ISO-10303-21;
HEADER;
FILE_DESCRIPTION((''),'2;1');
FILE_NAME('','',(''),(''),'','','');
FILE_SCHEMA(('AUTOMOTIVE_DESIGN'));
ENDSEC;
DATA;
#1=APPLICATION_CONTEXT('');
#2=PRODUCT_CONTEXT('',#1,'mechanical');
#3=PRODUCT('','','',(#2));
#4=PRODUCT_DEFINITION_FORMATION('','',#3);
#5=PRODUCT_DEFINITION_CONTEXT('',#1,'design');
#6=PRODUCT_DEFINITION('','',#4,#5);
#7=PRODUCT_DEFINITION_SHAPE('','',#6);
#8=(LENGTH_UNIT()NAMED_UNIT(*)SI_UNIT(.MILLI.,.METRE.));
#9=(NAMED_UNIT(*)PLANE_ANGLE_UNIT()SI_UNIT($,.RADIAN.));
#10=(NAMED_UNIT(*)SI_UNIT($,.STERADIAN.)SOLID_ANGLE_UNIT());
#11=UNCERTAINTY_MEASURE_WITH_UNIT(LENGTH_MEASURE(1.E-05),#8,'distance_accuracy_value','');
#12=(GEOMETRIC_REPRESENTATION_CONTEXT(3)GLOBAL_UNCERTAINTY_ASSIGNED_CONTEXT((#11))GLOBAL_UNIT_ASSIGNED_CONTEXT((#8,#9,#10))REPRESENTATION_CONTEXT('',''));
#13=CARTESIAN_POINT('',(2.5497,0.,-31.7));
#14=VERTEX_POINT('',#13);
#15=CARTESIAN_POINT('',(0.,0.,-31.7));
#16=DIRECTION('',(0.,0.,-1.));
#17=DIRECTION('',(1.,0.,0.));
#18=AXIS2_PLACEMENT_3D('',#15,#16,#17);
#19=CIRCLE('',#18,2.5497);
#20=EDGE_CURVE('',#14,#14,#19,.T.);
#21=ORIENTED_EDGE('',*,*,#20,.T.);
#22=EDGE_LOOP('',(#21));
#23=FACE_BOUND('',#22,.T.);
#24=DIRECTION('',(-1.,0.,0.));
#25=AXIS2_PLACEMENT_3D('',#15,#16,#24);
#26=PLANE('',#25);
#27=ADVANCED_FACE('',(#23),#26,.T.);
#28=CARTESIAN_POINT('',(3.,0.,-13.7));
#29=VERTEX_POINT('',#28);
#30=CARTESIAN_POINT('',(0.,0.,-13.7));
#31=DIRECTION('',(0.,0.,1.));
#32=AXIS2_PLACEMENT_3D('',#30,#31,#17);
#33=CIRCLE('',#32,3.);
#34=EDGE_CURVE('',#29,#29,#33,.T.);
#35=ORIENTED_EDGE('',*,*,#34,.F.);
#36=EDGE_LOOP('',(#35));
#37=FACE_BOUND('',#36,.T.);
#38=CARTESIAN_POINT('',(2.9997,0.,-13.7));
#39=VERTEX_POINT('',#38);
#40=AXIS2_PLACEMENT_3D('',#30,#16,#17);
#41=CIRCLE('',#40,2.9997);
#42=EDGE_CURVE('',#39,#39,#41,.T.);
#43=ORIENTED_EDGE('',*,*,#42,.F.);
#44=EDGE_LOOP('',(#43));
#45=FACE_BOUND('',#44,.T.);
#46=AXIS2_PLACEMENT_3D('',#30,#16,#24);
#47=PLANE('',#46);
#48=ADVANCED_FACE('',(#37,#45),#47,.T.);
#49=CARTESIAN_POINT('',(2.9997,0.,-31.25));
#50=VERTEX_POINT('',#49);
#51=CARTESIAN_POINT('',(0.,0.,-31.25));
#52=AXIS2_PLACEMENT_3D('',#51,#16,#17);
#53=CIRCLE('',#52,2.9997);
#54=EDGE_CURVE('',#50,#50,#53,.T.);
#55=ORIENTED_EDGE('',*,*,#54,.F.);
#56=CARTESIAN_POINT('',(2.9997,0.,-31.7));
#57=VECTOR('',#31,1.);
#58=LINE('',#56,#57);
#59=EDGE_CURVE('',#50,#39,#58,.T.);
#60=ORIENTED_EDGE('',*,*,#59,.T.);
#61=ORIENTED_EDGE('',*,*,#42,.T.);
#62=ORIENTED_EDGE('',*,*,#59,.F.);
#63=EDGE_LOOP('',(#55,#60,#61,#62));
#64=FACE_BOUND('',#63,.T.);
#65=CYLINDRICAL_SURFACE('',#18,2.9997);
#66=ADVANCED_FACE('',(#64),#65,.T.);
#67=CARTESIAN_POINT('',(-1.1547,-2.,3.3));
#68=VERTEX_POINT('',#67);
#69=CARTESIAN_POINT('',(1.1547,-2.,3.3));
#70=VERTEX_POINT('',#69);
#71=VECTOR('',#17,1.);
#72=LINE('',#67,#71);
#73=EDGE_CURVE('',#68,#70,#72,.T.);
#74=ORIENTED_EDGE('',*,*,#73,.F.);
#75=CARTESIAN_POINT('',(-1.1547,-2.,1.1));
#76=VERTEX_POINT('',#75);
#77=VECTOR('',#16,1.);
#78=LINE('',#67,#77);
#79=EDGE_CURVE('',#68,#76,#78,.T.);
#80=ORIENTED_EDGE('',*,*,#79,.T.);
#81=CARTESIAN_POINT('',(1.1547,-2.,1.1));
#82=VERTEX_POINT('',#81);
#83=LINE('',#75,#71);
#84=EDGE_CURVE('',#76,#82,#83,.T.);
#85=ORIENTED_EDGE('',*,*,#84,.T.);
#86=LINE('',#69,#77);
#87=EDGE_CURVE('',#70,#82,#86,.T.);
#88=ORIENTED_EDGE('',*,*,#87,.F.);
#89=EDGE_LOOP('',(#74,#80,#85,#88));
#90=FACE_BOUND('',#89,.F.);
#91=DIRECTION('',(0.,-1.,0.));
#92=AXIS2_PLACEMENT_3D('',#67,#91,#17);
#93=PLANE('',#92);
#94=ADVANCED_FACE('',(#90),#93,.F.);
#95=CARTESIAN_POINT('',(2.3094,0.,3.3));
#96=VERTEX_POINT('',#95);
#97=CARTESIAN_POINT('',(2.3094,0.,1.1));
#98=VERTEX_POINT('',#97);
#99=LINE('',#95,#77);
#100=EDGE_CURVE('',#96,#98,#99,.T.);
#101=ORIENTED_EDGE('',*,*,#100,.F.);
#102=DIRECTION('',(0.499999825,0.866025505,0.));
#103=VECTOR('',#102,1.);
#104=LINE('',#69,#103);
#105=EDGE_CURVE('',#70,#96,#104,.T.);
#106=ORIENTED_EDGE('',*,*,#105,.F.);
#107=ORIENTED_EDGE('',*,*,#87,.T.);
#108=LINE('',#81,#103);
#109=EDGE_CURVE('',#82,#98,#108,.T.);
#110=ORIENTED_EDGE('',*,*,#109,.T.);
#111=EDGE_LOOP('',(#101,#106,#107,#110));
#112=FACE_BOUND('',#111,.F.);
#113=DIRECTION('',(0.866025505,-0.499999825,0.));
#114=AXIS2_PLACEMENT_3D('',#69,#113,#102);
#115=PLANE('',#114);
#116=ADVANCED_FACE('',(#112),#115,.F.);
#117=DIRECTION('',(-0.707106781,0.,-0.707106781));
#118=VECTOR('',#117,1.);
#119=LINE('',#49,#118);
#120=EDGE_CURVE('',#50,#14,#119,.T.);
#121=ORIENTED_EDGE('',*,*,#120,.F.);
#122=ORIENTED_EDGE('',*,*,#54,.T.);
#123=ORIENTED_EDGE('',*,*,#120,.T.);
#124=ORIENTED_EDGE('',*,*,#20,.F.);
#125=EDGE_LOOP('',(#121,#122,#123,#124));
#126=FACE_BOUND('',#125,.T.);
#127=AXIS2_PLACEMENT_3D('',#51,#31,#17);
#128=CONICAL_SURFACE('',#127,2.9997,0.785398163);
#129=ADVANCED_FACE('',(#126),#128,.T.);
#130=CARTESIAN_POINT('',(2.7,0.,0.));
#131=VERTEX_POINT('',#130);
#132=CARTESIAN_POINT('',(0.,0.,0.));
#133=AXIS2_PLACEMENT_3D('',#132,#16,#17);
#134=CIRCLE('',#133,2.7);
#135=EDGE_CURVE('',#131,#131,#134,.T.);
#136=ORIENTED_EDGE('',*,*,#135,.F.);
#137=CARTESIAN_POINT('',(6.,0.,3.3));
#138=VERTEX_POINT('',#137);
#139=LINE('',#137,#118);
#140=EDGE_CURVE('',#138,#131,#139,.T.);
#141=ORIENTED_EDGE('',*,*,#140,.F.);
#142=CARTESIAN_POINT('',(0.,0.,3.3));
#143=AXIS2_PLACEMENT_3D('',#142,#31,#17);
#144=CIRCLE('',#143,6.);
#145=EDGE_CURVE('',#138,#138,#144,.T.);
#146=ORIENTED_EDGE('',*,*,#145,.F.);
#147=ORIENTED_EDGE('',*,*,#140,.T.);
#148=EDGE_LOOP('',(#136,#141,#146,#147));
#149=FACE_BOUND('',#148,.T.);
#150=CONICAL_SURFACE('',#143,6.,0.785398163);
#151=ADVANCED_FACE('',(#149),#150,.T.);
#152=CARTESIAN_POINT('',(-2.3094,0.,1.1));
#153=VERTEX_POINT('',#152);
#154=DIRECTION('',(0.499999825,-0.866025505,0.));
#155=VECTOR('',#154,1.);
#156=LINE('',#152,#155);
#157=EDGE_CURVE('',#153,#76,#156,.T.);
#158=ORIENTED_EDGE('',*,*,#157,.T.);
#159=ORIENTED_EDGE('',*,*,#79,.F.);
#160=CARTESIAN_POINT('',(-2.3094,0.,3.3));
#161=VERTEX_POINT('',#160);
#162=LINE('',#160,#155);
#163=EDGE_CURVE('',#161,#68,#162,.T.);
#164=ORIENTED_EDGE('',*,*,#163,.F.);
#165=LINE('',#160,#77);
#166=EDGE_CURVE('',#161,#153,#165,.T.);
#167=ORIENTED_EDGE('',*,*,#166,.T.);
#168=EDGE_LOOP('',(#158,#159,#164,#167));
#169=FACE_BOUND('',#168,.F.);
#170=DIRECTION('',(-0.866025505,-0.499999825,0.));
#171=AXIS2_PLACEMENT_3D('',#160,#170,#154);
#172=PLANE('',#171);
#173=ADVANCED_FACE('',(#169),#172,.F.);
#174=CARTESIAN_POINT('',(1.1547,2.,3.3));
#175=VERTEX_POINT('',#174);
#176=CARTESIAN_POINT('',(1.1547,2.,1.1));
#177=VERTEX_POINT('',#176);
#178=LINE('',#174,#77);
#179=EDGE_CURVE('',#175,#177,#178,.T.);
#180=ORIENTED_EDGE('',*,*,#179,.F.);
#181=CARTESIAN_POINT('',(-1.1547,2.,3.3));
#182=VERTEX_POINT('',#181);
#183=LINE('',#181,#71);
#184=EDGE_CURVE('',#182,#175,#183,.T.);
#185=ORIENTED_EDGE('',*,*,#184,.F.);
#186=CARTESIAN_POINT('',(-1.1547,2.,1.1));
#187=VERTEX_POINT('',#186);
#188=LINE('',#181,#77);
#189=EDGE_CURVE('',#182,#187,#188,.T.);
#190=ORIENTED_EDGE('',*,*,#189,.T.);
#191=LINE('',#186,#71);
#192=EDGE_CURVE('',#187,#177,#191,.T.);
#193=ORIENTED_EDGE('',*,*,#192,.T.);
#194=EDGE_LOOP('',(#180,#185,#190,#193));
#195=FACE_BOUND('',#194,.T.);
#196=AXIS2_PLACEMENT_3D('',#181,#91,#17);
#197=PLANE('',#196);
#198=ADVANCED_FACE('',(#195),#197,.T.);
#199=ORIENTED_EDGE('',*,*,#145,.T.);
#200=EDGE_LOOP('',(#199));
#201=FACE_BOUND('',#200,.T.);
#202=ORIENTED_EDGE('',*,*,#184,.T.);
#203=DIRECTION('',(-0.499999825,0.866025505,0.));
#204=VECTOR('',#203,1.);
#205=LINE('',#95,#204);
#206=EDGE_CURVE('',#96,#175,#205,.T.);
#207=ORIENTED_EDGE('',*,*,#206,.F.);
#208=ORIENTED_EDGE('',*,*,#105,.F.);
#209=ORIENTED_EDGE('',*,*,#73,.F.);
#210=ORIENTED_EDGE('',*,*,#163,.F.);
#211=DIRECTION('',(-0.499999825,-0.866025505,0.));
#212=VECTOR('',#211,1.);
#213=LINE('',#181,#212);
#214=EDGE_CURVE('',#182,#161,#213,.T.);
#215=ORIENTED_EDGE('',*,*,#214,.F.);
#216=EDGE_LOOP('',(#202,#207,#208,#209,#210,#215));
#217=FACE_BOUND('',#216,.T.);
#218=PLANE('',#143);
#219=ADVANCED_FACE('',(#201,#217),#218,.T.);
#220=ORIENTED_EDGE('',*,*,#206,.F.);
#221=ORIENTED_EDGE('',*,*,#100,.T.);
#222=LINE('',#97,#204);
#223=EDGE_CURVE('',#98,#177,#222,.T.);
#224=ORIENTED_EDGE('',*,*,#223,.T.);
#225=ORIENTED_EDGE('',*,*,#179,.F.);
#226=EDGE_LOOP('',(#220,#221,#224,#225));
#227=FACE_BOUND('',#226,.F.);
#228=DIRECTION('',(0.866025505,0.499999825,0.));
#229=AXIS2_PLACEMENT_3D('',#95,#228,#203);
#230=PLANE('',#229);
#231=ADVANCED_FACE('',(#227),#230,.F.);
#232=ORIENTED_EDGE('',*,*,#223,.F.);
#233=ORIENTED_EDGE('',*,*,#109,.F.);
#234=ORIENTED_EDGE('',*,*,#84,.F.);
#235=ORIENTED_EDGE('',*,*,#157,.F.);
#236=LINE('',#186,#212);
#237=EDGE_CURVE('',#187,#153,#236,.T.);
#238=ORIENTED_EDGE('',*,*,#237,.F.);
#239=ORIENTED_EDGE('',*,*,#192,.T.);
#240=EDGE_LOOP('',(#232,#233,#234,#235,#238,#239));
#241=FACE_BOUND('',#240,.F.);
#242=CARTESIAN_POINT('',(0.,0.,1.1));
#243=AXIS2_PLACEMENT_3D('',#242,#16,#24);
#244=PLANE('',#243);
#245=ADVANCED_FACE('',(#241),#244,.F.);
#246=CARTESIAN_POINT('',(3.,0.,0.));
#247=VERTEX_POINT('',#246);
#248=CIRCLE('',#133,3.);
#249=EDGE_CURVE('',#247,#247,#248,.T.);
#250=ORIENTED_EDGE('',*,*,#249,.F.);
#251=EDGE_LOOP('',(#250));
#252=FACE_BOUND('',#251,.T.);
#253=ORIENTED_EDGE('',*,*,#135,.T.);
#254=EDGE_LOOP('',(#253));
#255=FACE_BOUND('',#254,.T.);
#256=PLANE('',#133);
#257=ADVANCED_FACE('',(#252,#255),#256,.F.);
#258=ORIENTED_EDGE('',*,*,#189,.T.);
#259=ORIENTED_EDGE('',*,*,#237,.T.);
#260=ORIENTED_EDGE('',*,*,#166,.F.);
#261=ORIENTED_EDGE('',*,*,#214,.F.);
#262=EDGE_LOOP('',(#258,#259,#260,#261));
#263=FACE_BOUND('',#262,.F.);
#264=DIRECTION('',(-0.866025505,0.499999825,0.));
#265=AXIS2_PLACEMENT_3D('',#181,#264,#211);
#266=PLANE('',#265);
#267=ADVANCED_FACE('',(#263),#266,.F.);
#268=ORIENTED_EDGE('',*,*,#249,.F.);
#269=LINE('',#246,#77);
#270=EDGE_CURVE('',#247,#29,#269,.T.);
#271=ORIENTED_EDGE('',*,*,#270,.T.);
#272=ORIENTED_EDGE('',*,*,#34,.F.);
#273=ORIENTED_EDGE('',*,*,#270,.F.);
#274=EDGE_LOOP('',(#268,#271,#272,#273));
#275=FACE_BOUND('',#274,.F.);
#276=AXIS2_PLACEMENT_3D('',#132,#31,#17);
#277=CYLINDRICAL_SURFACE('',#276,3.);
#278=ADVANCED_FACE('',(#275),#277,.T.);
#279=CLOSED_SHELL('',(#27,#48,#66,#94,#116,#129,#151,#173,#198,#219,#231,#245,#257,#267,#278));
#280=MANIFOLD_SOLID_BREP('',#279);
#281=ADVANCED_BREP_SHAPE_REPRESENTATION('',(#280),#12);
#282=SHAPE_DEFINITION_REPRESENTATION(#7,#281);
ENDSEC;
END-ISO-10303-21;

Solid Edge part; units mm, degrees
sketch "Sketch1" plane through (0, 0, 0) normal (0, 0, 1) x (1, 0, 0)
  circle A0 centre (0, 0) radius 6
  dimension "D1" = 12
extrude "Protrusion1" add sketch "Sketch1" along normal blind 3.3
sketch "Sketch2" plane through (0, 0, 0) normal (0, 0, -1) x (1, 0, 0)
  circle A0 centre (0, 0) radius 3
extrude "Protrusion2" add sketch "Sketch2" along normal blind 31.7
sketch "Sketch3" plane through (0, 0, -31.7) normal (0, 0, -1) x (1, 0, 0)
  circle A0 centre (0, 0) radius 2.9997
extrude "Cutout1" cut sketch "Sketch3" against normal blind 18 flip side to cut
chamfer "Chamfer_1" distance 0.45 angle 45 1 edges at (-2.9997, 0, -31.7)
sketch "Sketch4" plane through (0, 0, 3.3) normal (0, 0, 1) x (1, 0, 0)
  line L0 (-1.1547, 2) -> (1.1547, 2)
  line L1 (2.3094, 0) -> (1.1547, 2)
  line L2 (1.1547, -2) -> (2.3094, 0)
  line L3 (-1.1547, -2) -> (1.1547, -2)
  line L4 (-2.3094, 0) -> (-1.1547, -2)
  line L5 (-1.1547, 2) -> (-2.3094, 0)
  dimension "D1" = 4
extrude "Cutout2" cut sketch "Sketch4" against normal blind 2.2
sketch "Sketch5" plane through (0, 0, 0) normal (0, -1, 0) x (1, 0, 0)
  line L0 (6, 3.3) -> (2.7, 0)
  line L1 (2.7, 0) -> (6, 0)
  line L2 (6, 0) -> (6, 3.3)
revolve "RevolvedCutout1" cut sketch "Sketch5" angle 360 about axis through (0, 0, 14.0017) along (0, 0, -1)
properties part number "185763"
